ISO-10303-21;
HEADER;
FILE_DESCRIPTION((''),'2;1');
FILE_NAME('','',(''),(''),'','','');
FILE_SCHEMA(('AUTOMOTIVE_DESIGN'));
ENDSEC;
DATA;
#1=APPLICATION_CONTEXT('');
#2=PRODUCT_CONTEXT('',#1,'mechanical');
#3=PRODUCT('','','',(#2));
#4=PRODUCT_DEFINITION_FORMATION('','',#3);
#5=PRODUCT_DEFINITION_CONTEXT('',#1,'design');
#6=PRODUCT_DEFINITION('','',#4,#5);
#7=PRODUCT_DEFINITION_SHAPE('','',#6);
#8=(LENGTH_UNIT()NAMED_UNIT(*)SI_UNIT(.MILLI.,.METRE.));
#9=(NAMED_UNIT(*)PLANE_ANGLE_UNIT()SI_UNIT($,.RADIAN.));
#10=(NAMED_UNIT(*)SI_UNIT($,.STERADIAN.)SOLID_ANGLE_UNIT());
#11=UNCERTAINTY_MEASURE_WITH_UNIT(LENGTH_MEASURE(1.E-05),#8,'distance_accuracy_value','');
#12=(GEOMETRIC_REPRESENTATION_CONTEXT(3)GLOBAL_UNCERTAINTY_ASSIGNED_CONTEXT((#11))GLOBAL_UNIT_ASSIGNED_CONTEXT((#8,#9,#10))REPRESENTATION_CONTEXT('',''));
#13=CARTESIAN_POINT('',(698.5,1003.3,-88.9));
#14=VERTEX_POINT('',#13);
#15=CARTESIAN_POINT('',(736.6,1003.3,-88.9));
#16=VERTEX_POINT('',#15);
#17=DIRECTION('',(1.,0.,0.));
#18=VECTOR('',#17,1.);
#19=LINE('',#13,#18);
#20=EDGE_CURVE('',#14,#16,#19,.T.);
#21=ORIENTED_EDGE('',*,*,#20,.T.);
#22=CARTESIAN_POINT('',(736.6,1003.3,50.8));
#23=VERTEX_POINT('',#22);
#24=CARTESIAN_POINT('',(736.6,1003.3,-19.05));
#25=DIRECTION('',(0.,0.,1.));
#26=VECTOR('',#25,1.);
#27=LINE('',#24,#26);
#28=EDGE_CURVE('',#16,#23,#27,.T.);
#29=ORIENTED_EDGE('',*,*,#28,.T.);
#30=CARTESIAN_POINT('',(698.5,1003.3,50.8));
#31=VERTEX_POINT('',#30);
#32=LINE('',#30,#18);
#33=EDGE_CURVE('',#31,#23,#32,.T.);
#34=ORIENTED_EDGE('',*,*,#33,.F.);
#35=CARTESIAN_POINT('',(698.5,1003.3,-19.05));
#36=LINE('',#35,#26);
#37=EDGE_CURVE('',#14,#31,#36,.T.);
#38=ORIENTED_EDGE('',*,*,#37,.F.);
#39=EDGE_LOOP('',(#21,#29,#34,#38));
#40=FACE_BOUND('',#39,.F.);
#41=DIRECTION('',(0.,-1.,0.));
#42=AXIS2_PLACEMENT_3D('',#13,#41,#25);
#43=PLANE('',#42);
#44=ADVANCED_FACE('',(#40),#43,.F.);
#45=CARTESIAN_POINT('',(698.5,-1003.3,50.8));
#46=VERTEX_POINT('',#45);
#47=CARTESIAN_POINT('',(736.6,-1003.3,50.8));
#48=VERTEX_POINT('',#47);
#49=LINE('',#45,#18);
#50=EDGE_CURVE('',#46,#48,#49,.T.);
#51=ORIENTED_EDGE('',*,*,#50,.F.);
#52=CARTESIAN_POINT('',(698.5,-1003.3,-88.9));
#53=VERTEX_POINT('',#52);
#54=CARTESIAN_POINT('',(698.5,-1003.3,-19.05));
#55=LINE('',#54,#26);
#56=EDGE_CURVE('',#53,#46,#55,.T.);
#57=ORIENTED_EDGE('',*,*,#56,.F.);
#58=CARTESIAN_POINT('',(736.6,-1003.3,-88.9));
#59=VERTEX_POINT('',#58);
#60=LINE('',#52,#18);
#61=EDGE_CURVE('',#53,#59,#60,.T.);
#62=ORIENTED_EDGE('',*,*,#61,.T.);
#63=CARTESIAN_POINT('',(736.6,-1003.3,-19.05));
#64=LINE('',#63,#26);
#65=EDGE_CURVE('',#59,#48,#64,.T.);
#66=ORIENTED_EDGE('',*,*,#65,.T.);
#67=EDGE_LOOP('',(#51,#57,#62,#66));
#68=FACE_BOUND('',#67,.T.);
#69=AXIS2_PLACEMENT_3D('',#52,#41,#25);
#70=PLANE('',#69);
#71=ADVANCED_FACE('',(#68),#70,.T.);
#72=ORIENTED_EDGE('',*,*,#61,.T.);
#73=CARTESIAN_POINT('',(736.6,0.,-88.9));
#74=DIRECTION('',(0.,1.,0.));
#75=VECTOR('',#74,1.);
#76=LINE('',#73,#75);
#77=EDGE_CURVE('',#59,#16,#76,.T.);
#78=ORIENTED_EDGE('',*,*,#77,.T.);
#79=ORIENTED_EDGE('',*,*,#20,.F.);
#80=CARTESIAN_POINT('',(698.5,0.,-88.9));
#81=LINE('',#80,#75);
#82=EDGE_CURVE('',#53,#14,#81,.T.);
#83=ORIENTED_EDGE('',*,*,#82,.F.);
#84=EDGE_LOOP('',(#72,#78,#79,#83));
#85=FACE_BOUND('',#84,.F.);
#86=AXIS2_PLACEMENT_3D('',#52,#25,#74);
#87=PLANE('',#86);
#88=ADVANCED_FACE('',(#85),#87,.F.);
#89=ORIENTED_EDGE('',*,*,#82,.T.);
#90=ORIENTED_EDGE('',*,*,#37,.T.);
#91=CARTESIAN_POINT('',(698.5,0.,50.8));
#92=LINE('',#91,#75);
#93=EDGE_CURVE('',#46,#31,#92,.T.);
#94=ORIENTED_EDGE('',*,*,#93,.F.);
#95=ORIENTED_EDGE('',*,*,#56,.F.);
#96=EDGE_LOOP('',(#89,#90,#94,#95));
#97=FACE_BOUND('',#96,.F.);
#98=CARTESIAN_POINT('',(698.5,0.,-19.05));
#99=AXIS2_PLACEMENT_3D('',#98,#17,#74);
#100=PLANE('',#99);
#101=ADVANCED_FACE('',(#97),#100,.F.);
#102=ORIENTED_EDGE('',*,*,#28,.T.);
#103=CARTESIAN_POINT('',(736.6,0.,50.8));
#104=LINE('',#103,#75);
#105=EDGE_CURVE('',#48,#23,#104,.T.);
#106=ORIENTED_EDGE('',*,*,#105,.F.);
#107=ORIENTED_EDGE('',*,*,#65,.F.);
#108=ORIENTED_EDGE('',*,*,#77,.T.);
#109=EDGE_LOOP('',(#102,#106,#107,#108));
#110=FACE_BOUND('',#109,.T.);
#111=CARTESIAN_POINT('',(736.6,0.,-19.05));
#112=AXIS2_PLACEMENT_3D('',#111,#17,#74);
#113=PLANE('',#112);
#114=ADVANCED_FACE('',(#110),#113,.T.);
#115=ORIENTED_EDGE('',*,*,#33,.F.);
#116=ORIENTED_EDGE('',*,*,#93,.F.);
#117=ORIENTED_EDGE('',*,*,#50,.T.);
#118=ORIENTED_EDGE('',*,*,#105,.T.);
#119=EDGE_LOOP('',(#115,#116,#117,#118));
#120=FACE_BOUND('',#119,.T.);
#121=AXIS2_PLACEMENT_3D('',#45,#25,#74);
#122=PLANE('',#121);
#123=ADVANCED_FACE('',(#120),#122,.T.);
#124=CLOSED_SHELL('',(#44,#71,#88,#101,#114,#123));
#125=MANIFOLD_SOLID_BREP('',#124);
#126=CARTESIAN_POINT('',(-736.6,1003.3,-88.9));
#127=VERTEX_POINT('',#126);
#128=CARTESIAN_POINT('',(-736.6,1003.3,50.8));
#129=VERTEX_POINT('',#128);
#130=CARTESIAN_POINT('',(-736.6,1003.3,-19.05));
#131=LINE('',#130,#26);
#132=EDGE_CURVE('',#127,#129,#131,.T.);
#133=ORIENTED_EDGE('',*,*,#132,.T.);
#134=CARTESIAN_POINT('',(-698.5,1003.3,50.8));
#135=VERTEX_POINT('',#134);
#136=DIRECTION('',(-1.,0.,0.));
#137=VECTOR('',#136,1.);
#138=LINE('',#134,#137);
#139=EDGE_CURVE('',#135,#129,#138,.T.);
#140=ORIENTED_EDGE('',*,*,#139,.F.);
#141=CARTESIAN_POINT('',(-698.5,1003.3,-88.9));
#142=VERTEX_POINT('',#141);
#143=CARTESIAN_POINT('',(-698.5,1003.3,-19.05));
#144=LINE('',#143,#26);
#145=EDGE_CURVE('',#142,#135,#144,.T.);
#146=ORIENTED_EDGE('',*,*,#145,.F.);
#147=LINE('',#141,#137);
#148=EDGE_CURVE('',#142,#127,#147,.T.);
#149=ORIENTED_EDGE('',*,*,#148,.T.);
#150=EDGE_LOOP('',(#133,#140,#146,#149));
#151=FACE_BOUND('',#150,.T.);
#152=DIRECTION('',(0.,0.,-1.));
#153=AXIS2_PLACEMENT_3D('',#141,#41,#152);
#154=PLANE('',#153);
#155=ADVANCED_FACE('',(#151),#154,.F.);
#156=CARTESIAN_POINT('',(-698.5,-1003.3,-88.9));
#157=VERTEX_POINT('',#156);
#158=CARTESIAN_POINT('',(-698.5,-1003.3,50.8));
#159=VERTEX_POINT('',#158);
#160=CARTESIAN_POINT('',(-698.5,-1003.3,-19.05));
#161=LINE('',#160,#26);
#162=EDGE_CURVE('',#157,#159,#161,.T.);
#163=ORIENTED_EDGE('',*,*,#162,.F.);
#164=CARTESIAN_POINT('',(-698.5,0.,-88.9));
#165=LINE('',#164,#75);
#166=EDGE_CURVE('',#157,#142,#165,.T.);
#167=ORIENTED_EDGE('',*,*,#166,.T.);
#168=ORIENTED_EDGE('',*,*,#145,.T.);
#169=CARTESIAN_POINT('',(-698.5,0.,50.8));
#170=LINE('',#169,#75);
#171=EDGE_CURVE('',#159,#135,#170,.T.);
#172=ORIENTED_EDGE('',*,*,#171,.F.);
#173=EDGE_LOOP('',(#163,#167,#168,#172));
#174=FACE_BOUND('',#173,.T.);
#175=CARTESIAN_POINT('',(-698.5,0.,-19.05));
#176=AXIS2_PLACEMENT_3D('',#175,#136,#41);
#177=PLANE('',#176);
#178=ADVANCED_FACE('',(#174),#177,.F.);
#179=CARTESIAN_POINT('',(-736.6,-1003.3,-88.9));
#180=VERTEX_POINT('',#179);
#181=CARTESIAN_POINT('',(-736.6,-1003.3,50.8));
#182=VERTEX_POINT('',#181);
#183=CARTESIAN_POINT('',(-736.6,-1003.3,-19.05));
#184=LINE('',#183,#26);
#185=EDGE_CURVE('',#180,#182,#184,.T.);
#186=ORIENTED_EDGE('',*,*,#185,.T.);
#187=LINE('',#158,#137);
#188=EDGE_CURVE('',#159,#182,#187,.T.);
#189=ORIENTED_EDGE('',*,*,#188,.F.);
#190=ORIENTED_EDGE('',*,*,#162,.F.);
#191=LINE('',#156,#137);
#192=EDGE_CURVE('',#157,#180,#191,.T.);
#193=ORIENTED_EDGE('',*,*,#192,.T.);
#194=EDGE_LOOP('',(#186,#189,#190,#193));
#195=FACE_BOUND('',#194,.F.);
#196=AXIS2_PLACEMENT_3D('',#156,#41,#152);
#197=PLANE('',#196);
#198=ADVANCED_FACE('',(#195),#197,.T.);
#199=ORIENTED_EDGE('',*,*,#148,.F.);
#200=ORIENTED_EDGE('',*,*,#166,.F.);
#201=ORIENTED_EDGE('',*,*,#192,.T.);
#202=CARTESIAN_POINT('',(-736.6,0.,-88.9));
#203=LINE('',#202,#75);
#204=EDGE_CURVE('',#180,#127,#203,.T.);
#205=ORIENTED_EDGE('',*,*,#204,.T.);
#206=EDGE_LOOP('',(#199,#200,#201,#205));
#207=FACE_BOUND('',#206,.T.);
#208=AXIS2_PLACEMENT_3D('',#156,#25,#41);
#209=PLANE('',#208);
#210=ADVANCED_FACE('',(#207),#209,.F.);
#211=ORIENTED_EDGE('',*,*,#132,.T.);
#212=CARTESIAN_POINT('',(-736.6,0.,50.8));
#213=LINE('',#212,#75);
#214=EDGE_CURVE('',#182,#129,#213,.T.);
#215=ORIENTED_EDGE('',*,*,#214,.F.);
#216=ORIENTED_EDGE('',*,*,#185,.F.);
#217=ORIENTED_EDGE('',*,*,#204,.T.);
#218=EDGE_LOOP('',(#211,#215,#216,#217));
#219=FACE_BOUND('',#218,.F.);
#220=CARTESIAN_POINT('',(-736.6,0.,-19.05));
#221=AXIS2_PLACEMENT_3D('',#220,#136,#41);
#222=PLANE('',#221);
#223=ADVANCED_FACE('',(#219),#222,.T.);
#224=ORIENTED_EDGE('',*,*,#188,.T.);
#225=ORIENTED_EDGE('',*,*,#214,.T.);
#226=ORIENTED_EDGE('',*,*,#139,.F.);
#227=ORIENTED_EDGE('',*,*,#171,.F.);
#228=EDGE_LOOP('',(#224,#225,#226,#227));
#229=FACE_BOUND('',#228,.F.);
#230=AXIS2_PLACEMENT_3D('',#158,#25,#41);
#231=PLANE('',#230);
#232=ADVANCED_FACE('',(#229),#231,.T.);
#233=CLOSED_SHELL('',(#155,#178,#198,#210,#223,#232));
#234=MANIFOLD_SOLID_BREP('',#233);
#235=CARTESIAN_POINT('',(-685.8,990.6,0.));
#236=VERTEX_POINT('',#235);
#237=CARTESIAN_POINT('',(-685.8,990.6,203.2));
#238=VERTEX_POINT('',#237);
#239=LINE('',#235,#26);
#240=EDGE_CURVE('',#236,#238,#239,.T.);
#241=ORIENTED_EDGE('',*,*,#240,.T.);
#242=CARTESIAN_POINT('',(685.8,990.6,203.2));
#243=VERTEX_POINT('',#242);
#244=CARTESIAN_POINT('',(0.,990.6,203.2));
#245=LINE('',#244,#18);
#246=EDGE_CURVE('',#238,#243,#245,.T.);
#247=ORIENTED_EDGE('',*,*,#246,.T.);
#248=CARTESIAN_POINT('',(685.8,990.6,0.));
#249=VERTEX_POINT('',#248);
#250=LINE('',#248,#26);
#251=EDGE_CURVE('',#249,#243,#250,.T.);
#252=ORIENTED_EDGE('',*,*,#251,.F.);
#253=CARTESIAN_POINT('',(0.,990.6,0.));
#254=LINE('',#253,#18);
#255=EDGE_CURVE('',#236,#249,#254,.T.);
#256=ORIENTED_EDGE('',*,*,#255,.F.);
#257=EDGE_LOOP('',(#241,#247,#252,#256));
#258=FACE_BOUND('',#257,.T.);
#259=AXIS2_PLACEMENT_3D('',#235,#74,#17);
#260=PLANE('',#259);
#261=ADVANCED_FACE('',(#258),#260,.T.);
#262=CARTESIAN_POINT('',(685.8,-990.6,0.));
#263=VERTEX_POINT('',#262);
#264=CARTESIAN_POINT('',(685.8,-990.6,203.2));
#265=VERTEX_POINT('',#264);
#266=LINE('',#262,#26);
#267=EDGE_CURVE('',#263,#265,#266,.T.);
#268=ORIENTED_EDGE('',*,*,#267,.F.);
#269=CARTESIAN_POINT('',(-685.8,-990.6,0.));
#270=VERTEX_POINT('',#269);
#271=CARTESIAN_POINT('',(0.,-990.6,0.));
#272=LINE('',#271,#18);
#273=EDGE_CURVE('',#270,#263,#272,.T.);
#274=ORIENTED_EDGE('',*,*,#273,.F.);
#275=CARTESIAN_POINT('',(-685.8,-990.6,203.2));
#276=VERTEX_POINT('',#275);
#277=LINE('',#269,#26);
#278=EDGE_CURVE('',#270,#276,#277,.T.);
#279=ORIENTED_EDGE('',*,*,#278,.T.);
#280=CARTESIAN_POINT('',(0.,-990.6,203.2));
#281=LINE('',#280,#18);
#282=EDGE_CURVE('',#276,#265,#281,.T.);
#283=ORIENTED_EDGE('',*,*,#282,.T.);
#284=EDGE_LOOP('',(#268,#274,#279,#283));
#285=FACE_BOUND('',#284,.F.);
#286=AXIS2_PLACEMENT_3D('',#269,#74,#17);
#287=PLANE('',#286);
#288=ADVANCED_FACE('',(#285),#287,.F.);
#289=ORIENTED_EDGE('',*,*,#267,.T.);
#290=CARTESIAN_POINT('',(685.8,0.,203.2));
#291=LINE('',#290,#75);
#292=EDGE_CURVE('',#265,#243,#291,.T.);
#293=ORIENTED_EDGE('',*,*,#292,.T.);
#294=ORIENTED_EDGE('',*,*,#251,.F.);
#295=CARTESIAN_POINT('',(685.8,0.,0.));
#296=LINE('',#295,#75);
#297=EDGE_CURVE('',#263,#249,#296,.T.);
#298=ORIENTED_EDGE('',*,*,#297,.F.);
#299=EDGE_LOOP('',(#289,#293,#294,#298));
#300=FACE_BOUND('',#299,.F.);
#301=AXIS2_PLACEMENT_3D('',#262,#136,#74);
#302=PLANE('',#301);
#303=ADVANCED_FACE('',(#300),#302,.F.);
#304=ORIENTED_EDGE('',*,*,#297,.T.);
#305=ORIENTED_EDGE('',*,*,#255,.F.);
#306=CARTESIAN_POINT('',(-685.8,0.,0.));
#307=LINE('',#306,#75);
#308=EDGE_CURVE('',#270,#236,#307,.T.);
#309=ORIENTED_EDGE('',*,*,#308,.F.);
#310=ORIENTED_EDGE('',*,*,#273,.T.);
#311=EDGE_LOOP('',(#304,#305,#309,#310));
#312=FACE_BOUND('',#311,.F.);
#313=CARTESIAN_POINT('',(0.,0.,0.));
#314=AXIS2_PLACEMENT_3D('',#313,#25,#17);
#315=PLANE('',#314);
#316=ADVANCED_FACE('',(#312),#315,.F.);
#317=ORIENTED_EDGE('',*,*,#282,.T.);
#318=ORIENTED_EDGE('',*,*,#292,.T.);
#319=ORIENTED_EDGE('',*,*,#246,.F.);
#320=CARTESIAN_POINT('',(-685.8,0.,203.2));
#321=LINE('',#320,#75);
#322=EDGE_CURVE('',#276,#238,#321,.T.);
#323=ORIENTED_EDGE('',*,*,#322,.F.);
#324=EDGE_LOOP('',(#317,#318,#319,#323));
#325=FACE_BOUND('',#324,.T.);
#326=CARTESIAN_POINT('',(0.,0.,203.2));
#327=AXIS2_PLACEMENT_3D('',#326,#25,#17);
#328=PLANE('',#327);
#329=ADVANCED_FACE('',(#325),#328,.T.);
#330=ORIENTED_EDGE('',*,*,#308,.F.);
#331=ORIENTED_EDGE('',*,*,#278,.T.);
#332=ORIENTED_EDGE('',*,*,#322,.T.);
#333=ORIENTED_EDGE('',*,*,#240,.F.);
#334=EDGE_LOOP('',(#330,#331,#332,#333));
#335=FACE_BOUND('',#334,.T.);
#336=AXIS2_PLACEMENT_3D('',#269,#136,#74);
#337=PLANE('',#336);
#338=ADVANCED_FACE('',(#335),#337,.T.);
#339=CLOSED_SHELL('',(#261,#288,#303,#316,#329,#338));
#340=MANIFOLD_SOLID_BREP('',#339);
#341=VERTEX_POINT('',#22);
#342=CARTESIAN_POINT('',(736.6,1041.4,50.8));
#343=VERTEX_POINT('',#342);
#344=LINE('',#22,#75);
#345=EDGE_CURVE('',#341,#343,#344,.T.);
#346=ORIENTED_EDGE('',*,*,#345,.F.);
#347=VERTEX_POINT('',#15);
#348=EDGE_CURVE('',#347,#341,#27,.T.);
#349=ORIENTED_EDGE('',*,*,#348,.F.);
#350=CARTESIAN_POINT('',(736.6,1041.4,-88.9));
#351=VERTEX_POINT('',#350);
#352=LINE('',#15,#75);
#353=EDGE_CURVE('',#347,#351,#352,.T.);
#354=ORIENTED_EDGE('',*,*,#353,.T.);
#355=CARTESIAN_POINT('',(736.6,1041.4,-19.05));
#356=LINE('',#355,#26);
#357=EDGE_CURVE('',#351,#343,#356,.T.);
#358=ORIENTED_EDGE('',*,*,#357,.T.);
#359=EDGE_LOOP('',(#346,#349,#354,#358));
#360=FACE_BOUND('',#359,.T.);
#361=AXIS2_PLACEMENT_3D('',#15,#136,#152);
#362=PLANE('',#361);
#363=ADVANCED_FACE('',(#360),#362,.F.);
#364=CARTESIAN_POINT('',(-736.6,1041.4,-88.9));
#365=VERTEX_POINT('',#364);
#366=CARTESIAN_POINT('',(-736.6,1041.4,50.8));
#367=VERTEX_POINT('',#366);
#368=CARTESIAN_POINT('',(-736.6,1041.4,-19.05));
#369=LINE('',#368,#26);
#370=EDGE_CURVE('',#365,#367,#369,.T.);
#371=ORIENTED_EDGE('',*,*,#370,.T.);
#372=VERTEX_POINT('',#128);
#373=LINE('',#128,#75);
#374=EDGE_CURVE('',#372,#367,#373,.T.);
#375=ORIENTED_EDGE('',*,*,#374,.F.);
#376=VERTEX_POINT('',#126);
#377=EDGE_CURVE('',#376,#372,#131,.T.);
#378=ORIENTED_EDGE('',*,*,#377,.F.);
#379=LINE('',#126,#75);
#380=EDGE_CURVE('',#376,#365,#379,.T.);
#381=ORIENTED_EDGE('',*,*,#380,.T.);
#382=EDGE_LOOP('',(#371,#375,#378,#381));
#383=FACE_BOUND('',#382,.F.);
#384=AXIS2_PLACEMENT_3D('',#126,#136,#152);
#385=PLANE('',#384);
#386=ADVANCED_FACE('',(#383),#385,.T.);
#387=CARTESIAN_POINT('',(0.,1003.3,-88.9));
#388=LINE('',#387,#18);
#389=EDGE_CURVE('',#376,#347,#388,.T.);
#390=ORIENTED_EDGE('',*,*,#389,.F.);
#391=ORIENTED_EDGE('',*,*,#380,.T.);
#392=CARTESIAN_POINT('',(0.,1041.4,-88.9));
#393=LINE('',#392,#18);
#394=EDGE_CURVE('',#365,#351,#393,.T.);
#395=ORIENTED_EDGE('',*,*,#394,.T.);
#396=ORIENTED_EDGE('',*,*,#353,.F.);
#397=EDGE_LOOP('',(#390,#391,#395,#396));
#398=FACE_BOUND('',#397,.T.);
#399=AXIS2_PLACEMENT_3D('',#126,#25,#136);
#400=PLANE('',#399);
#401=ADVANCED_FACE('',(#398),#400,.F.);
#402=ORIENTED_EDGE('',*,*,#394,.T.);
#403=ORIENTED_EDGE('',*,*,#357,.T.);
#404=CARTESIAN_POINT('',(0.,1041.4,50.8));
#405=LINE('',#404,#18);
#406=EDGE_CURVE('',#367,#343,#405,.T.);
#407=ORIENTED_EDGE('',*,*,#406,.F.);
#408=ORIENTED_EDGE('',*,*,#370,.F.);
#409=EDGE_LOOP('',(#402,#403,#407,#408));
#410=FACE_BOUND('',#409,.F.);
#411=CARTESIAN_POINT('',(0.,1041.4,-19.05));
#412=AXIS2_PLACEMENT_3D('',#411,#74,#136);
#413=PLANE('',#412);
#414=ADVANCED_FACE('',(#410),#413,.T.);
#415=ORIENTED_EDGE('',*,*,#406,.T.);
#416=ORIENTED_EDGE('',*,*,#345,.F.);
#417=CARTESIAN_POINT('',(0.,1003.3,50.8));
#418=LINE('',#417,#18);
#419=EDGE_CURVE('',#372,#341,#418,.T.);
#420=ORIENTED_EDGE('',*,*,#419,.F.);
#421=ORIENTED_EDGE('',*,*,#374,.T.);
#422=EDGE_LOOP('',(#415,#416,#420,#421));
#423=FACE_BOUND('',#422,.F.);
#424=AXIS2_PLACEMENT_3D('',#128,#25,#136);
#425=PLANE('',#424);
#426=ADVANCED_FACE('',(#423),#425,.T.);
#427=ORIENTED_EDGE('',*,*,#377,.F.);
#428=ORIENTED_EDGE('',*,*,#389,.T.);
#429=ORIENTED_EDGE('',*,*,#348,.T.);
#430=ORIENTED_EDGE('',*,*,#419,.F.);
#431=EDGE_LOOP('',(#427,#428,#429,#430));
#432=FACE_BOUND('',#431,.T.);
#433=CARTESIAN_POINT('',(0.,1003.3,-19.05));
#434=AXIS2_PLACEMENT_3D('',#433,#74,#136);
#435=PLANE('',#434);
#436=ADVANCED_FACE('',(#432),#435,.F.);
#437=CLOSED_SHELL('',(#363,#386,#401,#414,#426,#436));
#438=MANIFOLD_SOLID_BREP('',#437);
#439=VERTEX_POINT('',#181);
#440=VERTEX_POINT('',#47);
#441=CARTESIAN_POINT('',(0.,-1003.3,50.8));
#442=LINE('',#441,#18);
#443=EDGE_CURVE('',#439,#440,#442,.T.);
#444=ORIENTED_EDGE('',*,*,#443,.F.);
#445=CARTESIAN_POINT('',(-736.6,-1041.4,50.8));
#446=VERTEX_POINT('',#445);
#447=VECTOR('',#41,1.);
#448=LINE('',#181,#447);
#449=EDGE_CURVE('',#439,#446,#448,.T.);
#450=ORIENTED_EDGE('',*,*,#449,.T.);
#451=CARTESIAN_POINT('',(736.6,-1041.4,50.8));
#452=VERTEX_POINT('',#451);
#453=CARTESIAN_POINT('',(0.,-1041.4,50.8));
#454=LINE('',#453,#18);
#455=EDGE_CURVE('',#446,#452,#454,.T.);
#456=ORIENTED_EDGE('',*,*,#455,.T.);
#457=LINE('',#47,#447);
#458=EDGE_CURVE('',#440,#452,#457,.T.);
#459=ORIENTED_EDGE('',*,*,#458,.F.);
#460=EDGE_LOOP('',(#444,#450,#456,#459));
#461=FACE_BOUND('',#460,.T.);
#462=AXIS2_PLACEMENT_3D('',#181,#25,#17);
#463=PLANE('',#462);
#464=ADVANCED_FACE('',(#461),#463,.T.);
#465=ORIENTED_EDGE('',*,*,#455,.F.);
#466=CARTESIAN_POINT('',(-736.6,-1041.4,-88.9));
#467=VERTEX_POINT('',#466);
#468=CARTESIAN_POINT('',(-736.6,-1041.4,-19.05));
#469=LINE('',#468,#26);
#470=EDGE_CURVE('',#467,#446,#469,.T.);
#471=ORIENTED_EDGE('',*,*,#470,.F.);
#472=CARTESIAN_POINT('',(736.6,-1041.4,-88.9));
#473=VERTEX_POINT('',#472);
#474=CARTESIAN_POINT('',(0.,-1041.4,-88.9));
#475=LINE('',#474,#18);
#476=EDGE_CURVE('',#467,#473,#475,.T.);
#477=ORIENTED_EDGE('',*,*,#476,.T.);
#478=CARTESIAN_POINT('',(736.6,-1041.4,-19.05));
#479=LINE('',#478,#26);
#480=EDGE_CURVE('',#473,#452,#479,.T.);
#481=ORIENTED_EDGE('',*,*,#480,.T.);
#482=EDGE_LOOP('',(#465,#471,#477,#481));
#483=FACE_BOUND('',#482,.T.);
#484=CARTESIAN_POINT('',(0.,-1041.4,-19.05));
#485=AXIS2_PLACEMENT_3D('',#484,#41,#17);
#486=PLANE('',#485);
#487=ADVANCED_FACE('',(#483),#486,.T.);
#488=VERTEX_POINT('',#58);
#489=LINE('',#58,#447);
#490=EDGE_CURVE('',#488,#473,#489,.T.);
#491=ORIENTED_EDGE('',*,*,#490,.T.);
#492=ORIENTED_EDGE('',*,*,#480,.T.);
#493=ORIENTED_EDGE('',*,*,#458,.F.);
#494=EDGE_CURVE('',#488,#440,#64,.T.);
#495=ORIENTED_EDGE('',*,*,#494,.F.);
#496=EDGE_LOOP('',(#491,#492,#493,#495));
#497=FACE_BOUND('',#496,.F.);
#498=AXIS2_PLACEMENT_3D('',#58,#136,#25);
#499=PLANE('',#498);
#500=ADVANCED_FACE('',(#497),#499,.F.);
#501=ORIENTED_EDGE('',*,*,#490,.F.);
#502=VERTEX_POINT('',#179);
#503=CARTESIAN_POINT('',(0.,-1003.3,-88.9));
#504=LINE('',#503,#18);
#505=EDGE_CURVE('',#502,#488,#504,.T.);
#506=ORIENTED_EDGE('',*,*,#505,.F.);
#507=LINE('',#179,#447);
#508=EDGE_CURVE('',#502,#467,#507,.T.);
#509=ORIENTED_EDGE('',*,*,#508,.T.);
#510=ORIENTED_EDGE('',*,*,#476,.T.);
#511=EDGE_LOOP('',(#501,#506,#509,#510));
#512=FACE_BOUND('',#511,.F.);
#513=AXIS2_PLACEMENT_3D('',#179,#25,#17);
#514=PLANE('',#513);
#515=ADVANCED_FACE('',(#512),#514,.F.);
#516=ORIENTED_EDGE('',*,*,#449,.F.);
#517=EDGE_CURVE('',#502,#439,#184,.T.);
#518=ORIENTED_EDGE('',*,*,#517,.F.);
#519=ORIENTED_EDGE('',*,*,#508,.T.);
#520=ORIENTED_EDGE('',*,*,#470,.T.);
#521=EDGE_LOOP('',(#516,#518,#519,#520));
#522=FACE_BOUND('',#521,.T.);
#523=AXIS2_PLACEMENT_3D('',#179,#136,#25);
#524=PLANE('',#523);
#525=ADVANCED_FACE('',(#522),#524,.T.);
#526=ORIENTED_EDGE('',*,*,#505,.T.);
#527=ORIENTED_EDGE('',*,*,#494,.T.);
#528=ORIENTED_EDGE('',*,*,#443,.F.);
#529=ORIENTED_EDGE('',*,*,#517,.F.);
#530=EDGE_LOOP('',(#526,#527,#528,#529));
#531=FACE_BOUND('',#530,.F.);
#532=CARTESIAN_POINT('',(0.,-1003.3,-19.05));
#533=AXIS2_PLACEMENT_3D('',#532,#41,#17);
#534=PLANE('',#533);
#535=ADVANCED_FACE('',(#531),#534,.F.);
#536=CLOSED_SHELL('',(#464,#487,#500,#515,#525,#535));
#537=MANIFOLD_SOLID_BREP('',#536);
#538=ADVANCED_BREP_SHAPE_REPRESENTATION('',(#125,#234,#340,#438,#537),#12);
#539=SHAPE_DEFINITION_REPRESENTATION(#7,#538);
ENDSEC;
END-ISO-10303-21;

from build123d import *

# Parameters (mm, degrees)
F0_W     = 1371.6
F0_H     = 1981.2
F1_DEPTH = 203.2
F3_W     = 2006.6
F3_H     = 139.7
F4_DEPTH = 38.1
F7_W     = 1473.2
F7_H     = 139.7
F8_DEPTH = 38.1


with BuildPart() as f1:
    # F0 (on Top) → F1 (new body)
    with BuildSketch(Plane.XY):
        Rectangle(F0_W, F0_H)
    extrude(amount=F1_DEPTH)


with BuildPart() as f4:
    # F3 (on offset) → F4 (new body)
    with BuildSketch(Plane.YZ.offset(698.5)):
        with Locations((0, -19.05)):
            Rectangle(F3_W, F3_H)
    extrude(amount=F4_DEPTH)


with BuildPart() as f5_1:
    # F5: instance of F4
    add(f4.part.mirror(Plane.YZ))


with BuildPart() as f8:
    # F7 (on offset) → F8 (new body)
    with BuildSketch(Plane.XZ.offset(1003.3)):
        with Locations((0, -19.05)):
            Rectangle(F7_W, F7_H)
    extrude(amount=F8_DEPTH)


with BuildPart() as f9_1:
    # F9: instance of F8
    add(f8.part.mirror(Plane.XZ))


solid = Compound([f1.part, f4.part, f5_1.part, f8.part, f9_1.part])
